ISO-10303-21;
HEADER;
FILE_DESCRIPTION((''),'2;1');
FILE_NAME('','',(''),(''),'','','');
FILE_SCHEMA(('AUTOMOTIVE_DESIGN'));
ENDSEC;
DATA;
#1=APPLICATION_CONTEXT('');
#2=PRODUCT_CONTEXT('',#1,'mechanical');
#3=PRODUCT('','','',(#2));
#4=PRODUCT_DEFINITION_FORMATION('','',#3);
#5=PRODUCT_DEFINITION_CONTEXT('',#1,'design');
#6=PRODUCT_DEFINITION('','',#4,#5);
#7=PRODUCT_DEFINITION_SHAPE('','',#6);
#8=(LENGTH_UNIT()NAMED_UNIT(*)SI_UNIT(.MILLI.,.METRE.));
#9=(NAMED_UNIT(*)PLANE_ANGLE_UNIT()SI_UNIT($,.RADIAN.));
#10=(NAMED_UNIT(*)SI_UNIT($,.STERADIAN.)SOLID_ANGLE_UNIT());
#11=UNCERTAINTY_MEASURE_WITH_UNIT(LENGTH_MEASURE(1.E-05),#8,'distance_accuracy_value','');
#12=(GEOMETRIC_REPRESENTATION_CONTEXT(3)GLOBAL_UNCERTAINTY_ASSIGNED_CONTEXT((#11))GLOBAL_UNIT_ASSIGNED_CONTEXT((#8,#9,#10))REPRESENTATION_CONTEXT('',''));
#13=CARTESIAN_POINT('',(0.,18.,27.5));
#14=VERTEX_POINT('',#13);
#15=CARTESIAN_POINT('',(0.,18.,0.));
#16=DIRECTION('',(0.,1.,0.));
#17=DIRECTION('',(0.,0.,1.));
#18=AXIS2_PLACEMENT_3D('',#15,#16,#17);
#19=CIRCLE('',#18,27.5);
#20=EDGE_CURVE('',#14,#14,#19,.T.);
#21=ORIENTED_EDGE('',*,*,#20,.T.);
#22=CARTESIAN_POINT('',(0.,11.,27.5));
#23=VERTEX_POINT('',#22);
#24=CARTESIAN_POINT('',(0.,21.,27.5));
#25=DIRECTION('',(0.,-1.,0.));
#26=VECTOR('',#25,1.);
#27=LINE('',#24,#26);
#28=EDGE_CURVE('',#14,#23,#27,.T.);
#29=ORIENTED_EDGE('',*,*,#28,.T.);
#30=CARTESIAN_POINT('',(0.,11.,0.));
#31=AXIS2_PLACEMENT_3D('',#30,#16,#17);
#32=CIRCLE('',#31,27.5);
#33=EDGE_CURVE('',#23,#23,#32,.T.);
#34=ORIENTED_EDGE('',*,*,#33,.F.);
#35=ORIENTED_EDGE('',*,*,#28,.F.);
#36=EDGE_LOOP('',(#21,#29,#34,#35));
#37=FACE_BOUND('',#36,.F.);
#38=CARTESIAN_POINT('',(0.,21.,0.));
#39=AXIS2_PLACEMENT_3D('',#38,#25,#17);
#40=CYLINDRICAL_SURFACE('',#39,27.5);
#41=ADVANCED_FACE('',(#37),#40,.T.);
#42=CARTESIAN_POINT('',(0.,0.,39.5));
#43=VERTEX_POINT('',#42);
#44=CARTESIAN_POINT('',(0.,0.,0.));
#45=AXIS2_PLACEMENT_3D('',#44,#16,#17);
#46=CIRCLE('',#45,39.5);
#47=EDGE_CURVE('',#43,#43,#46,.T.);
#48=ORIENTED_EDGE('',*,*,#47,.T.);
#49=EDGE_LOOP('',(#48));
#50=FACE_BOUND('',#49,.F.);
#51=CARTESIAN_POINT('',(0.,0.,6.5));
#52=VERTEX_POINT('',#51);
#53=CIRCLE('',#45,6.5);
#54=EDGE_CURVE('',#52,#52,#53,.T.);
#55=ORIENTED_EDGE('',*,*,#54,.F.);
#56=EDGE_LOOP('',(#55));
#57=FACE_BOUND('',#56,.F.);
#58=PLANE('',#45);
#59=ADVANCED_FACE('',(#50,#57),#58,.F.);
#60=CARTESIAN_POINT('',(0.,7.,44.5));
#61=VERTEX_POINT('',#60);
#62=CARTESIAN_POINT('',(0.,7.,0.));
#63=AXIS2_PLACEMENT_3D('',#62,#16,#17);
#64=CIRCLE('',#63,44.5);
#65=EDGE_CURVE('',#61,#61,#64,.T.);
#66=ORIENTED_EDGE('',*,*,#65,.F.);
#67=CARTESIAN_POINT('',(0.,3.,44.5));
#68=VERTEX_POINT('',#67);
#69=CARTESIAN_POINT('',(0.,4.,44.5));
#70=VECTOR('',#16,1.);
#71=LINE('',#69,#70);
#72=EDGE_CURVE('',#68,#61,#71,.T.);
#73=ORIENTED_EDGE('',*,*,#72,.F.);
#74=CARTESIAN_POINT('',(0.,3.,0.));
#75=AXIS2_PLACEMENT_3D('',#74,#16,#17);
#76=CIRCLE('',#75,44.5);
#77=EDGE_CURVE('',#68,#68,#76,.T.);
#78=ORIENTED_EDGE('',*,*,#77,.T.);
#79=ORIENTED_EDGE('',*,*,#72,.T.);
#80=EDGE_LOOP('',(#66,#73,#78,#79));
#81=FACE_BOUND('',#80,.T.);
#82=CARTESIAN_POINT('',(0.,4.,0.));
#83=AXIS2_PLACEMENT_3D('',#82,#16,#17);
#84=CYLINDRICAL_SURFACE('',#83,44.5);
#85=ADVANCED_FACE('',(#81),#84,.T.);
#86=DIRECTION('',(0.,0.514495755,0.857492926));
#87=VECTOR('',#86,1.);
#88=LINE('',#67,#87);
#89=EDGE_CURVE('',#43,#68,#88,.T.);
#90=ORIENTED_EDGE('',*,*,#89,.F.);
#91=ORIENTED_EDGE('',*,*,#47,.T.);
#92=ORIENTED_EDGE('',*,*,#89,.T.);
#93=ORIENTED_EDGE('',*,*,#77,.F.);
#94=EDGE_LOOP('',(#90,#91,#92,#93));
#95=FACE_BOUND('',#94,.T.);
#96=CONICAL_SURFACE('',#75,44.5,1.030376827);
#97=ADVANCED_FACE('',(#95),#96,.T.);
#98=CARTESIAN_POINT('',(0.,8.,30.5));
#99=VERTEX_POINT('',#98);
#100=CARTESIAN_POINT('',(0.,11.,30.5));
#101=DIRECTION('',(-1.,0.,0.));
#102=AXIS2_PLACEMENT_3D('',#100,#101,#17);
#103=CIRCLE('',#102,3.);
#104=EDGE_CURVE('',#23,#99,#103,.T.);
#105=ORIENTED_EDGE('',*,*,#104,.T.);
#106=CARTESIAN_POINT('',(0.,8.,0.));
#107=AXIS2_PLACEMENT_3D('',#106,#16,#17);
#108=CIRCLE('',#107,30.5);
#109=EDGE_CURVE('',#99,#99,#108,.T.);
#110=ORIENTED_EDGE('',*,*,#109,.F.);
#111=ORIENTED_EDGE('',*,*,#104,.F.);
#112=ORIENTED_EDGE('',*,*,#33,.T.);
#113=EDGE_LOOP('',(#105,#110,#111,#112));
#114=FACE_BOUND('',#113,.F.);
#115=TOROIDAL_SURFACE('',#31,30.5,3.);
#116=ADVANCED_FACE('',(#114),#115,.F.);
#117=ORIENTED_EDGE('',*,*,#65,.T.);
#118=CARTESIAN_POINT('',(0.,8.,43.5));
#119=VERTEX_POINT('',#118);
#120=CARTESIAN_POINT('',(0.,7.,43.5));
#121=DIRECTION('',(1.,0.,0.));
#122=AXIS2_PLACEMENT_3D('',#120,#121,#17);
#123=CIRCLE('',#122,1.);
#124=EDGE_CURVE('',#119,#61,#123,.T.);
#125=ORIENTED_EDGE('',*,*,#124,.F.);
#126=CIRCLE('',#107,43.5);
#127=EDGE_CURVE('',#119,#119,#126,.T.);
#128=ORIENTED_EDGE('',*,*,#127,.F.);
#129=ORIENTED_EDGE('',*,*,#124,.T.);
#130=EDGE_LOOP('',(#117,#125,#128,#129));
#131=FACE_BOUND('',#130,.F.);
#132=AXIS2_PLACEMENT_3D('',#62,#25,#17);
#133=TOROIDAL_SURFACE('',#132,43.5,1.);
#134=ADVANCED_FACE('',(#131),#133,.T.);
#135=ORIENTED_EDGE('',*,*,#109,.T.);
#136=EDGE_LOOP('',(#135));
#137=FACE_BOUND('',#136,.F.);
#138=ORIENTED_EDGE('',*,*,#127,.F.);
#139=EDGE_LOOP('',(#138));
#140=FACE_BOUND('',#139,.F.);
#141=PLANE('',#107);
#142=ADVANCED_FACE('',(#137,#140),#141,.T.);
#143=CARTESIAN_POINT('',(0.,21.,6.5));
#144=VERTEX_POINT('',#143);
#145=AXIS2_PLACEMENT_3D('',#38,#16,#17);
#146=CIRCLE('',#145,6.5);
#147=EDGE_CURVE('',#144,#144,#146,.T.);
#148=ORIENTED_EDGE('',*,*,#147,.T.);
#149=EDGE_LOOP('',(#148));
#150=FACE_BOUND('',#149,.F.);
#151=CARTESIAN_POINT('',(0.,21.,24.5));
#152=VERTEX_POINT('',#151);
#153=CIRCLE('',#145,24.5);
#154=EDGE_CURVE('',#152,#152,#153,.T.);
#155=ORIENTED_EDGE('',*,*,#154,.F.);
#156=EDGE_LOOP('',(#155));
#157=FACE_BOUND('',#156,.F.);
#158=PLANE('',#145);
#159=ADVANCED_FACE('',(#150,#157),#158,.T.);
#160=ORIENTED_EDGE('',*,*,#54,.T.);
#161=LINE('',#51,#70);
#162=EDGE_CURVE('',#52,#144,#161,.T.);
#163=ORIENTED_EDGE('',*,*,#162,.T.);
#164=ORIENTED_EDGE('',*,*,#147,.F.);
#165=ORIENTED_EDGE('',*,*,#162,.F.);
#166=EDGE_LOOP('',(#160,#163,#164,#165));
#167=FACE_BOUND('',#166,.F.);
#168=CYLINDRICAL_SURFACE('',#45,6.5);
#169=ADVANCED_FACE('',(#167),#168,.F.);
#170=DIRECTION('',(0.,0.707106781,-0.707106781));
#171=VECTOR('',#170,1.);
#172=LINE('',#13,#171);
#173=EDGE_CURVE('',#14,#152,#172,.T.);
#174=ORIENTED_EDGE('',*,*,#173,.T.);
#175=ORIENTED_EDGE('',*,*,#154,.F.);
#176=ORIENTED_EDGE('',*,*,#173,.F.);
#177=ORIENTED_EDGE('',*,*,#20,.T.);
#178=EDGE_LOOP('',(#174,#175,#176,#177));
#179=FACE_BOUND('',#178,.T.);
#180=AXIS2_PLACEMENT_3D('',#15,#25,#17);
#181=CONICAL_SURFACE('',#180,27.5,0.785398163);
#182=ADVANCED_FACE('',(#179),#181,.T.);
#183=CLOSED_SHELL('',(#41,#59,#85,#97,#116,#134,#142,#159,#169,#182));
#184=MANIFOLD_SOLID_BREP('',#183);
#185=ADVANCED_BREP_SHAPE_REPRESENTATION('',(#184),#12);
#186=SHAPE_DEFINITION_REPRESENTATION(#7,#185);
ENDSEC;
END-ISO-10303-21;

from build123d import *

# Parameters (mm, degrees)
F0_W     = 13
F0_H     = 21
F0_W_2   = 8
F0_H_2   = 17
F2_R     = 3
F3_R     = 1
F4_SIZE  = 3
F5_SIZE2 = 3
F5_SIZE  = 5


with BuildPart() as f1:
    # F0 (on Right) → F1 (revolve)
    with BuildSketch(Plane.YZ):
        with Locations((14.5, 17)):
            Rectangle(F0_W, F0_H)
        with Locations((4, 17)):
            Rectangle(F0_W_2, F0_H)
        with Locations((4, 36)):
            Rectangle(F0_W_2, F0_H_2)
    revolve(axis=Axis((0, 10.5, 0), (0, 1, 0)))

    # F2
    f2_edges = [f1.edges().sort_by_distance(p)[0] for p in [
        (0, 8, -27.5),
    ]]
    fillet(f2_edges, radius=F2_R)

    # F3
    f3_edges = [f1.edges().sort_by_distance(p)[0] for p in [
        (0, 8, -44.5),
    ]]
    fillet(f3_edges, radius=F3_R)

    # F4
    f4_edges = [f1.edges().sort_by_distance(p)[0] for p in [
        (0, 21, -27.5),
    ]]
    chamfer(f4_edges, length=F4_SIZE)

    # F5
    f5_edges = [f1.edges().sort_by_distance(p)[0] for p in [
        (0, 0, -44.5),
    ]]
    chamfer(f5_edges, length=F5_SIZE, length2=F5_SIZE2)


solid = f1.part
